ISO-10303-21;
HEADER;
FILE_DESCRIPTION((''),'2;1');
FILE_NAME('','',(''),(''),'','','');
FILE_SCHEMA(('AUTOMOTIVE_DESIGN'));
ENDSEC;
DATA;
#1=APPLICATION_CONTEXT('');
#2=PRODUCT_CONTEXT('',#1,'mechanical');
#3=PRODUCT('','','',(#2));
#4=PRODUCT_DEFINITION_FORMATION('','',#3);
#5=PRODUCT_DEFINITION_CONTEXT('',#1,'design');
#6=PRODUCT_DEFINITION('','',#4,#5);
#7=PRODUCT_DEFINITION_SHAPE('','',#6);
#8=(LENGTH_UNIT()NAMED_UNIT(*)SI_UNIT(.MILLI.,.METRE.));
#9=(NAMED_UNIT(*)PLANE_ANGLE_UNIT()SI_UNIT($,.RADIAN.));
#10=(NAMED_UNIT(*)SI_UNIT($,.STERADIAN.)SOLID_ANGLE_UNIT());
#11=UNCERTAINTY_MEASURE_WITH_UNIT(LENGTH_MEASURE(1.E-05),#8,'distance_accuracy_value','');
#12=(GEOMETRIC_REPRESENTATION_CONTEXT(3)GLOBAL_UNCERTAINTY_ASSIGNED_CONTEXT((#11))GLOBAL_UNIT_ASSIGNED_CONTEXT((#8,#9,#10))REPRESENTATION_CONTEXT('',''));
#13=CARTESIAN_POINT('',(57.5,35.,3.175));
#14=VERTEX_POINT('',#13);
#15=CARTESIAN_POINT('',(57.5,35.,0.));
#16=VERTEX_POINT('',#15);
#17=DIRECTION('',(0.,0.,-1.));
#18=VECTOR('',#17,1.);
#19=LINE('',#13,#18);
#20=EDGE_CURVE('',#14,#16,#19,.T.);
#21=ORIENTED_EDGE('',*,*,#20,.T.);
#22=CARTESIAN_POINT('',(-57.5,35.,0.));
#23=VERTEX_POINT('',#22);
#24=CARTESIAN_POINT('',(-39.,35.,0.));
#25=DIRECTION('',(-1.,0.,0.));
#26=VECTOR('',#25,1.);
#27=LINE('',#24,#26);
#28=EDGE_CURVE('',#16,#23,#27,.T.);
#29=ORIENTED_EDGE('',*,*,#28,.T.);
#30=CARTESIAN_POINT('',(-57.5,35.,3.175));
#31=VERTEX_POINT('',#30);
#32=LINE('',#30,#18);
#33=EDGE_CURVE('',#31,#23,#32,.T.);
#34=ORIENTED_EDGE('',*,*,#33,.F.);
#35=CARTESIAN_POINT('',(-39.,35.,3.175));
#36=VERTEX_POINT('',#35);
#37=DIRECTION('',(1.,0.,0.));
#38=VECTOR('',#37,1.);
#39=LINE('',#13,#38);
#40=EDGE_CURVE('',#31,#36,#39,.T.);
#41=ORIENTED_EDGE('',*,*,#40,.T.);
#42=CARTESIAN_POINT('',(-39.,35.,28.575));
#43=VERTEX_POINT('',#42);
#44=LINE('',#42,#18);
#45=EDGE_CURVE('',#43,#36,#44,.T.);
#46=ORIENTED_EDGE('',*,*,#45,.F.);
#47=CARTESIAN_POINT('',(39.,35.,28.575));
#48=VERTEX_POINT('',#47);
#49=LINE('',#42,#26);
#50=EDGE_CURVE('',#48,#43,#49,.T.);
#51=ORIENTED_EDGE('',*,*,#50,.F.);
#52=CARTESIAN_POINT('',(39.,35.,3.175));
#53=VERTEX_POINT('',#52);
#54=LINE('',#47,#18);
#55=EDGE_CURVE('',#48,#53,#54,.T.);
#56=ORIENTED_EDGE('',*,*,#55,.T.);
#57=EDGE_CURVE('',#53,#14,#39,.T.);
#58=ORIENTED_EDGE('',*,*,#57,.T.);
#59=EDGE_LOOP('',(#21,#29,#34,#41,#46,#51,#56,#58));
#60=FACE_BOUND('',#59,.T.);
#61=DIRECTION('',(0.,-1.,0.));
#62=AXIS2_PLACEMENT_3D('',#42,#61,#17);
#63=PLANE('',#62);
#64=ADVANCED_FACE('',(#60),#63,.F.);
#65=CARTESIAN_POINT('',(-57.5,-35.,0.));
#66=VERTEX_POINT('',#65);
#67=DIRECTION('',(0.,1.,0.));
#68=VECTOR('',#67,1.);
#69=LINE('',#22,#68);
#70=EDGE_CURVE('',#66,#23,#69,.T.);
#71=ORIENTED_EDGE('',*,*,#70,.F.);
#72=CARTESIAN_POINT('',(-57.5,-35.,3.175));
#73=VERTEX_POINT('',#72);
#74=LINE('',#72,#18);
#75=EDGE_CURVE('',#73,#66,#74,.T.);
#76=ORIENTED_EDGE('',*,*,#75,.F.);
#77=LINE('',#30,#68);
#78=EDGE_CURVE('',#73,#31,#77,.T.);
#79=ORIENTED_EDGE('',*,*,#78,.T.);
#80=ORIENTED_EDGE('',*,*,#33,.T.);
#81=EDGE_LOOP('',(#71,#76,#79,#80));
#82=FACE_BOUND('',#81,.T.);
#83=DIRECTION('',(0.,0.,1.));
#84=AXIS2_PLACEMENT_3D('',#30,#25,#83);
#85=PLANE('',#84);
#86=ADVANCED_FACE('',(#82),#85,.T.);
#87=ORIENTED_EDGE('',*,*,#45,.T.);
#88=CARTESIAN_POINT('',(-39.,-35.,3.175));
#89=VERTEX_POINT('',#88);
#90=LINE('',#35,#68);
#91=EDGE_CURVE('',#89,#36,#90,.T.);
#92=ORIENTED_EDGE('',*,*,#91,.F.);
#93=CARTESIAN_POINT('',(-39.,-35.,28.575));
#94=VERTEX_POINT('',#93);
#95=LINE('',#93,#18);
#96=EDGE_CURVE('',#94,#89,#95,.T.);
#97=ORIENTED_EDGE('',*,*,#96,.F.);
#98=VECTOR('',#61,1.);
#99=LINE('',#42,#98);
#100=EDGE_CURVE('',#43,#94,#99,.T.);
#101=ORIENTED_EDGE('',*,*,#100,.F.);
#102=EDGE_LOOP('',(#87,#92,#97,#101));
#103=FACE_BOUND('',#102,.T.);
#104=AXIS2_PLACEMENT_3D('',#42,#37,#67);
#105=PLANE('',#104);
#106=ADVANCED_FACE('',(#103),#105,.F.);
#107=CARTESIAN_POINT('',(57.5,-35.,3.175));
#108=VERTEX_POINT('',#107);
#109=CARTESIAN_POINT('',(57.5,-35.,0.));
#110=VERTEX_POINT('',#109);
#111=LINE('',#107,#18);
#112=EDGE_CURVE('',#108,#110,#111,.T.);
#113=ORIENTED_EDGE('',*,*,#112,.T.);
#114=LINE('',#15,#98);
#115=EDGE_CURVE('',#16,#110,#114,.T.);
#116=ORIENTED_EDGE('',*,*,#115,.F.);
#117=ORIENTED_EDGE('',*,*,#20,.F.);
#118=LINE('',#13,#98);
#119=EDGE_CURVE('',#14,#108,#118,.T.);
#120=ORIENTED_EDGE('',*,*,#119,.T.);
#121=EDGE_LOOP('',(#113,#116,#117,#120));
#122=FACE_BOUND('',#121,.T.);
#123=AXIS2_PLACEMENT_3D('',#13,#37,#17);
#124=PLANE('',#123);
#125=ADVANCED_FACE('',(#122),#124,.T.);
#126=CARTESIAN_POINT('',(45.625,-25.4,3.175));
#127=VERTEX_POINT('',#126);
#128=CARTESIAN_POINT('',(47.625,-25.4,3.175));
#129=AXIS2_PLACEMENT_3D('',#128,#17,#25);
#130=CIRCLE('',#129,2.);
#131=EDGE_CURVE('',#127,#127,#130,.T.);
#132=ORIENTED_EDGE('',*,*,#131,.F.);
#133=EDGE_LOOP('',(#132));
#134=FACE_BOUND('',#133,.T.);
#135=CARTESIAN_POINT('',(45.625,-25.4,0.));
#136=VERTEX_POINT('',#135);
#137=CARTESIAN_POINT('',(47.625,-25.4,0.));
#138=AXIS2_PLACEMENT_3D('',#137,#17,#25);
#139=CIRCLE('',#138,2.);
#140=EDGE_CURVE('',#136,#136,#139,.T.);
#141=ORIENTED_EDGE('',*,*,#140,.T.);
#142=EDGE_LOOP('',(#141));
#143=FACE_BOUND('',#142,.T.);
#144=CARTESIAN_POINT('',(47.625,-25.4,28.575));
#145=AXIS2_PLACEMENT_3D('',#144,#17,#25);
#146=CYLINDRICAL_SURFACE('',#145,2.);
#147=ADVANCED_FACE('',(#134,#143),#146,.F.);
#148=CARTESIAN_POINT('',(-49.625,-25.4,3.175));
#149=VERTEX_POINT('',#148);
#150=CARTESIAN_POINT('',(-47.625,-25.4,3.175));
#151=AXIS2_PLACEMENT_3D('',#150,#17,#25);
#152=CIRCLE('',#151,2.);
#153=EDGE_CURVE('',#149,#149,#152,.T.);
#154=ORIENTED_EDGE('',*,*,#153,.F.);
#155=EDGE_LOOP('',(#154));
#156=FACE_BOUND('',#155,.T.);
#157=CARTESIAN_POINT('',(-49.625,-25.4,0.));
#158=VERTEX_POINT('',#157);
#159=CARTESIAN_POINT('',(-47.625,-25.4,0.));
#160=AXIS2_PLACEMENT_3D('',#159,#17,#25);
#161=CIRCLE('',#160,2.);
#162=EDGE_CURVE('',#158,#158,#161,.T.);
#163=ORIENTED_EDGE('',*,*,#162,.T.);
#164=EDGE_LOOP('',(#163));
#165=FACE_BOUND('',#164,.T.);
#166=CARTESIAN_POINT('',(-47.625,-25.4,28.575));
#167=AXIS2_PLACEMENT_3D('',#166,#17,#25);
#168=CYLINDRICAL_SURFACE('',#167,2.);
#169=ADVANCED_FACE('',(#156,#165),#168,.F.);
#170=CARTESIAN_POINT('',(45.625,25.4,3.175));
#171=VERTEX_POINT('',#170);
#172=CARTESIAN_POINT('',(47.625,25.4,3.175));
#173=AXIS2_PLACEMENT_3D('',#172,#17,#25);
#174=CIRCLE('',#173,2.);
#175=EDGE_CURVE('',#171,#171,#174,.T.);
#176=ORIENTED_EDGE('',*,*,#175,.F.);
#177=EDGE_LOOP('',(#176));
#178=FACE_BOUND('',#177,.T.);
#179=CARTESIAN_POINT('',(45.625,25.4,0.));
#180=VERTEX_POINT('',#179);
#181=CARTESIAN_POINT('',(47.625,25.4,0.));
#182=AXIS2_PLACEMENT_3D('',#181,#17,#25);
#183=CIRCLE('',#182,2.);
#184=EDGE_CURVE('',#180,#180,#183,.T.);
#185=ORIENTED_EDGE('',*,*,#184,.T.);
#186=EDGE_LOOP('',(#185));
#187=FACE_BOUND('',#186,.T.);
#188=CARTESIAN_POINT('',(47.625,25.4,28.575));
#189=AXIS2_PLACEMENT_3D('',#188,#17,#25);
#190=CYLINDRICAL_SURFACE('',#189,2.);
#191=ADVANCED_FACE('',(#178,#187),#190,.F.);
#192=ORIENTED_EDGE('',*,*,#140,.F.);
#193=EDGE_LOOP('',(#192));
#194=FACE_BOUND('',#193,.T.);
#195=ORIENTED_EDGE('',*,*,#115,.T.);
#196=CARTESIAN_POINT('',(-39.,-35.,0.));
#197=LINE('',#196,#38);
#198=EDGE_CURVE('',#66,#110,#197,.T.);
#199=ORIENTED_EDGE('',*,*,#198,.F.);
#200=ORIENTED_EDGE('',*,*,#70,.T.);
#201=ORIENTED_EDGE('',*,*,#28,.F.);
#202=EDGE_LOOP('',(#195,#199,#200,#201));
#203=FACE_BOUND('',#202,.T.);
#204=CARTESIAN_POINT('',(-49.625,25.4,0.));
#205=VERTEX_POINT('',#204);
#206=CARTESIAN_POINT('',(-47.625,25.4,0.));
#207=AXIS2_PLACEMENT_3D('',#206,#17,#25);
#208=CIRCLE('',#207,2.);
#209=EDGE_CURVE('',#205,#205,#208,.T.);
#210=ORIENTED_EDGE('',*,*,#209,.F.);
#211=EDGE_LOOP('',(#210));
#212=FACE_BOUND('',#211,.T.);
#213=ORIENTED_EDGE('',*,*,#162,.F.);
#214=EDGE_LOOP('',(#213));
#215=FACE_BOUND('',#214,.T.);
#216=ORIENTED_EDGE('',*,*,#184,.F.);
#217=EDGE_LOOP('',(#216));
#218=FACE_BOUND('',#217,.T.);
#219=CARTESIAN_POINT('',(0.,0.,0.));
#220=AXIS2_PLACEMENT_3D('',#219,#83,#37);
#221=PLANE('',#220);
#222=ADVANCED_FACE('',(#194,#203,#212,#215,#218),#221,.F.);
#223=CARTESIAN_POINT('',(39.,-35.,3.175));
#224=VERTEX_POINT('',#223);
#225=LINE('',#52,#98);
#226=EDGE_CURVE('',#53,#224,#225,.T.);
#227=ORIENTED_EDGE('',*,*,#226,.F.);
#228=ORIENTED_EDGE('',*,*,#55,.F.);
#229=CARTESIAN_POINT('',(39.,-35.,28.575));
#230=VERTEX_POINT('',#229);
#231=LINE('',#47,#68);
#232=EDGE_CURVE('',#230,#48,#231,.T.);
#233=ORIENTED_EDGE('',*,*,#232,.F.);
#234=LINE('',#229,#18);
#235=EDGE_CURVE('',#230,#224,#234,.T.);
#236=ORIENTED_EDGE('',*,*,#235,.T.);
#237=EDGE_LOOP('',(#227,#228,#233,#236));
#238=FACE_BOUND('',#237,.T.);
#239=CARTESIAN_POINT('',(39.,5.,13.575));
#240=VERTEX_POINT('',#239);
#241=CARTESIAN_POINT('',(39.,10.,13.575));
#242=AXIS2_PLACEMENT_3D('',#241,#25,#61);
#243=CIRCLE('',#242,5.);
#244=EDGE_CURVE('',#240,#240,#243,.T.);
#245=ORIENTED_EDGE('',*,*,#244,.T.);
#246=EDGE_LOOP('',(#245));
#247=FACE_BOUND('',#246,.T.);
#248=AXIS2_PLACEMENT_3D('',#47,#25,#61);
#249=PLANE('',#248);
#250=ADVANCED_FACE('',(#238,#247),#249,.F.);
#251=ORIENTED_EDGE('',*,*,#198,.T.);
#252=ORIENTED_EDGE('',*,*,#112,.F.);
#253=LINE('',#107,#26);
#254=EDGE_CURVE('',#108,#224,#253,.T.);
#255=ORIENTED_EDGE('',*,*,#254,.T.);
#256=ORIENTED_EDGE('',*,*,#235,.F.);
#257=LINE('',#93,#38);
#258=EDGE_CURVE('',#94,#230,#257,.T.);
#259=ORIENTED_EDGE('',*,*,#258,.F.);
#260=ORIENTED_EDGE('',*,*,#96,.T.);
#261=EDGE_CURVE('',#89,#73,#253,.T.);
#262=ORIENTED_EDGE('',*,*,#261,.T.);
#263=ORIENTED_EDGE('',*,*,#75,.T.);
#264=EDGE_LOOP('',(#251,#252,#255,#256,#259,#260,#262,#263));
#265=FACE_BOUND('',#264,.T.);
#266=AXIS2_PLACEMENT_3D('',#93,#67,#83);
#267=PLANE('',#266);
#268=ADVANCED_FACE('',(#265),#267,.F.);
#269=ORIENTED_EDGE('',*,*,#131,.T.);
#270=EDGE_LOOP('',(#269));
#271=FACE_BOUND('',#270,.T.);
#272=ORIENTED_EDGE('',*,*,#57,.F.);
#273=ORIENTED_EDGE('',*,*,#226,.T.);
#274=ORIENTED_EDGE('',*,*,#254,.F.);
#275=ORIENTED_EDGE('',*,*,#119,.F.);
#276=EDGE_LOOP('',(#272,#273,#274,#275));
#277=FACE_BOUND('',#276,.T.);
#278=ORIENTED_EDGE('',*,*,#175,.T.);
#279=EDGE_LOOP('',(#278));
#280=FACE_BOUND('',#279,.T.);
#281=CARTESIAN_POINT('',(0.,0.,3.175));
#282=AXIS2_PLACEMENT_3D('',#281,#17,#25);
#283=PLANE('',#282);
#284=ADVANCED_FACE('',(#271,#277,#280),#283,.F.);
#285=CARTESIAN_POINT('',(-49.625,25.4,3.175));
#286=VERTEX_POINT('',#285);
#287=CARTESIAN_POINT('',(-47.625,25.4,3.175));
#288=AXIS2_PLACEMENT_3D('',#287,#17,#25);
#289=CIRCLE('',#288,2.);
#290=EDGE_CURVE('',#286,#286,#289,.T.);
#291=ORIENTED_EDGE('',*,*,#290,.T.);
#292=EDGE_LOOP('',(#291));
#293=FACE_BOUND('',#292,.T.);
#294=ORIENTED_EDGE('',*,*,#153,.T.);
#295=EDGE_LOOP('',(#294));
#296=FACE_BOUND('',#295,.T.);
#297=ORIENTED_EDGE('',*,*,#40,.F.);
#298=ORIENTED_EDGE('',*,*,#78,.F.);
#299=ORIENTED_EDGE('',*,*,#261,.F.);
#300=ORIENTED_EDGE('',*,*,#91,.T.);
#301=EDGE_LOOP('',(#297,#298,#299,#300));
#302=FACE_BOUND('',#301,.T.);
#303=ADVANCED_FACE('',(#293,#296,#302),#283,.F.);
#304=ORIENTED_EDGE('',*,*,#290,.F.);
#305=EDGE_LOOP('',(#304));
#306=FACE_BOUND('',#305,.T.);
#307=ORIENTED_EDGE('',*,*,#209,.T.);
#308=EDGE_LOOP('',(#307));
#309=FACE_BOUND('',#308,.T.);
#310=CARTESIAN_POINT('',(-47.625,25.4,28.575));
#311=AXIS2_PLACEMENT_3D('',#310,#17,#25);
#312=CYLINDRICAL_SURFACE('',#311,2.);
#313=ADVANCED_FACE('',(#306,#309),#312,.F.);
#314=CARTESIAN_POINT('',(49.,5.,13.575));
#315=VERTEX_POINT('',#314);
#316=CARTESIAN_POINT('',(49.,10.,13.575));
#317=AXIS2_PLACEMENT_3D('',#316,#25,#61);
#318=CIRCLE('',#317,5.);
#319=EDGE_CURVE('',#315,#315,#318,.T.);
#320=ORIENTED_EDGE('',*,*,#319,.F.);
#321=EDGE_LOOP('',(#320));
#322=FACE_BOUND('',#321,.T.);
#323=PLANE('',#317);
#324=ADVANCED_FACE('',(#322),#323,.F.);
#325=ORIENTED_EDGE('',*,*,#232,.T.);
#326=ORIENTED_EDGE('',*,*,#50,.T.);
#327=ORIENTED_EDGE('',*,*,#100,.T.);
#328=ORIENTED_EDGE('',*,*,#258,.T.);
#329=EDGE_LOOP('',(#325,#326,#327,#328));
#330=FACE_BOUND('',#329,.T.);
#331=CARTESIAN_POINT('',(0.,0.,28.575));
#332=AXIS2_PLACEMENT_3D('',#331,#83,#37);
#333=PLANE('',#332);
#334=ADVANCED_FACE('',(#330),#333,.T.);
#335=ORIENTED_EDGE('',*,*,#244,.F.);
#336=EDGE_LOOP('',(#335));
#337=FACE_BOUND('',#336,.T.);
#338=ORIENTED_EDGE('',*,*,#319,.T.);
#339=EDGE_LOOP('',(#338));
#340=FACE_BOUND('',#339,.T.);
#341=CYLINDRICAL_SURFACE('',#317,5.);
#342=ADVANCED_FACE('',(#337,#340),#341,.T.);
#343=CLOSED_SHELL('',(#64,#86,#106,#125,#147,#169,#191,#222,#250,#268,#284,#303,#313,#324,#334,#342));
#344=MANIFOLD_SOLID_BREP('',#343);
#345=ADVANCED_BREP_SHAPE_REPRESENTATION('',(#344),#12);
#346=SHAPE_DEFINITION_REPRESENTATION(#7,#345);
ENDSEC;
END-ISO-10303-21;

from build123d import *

# Parameters (mm, degrees)
SKETCH1_W           = 78
SKETCH1_H           = 70
BOSS_EXTRUDE1_DEPTH = 28.575
SKETCH2_W           = 115
SKETCH2_H           = 70
BOSS_EXTRUDE2_DEPTH = 3.175
SKETCH3_R           = 2
CUT_EXTRUDE1_DEPTH  = 74.128521283
SKETCH4_R           = 5
BOSS_EXTRUDE3_DEPTH = 10


with BuildPart() as part:
    # Sketch1 → Boss-Extrude1 (new body)
    with BuildSketch(Plane.XY):
        Rectangle(SKETCH1_W, SKETCH1_H)
    extrude(amount=BOSS_EXTRUDE1_DEPTH)

    # Sketch2 → Boss-Extrude2 (add)
    with BuildSketch(Plane(origin=(0, 0, 0), x_dir=(-1, 0, 0), z_dir=(0, 0, -1))):
        Rectangle(SKETCH2_W, SKETCH2_H)
    extrude(amount=-BOSS_EXTRUDE2_DEPTH)

    # Sketch3 → Cut-Extrude1 (cut, through all)
    with BuildSketch(Plane(origin=(0, 0, 0), x_dir=(-1, 0, 0), z_dir=(0, 0, -1))):
        with Locations((-47.625, 25.4)):
            Circle(SKETCH3_R)
        with Locations((47.625, 25.4)):
            Circle(SKETCH3_R)
        with Locations((47.625, -25.4)):
            Circle(SKETCH3_R)
        with Locations((-47.625, -25.4)):
            Circle(SKETCH3_R)
    extrude(amount=-CUT_EXTRUDE1_DEPTH, mode=Mode.SUBTRACT)

    # Sketch4 → Boss-Extrude3 (add)
    with BuildSketch(Plane.ZY.offset(-39)):
        with Locations(Location((13.575, 10, 0), (0, 0, 270))):
            Circle(SKETCH4_R)
    extrude(amount=-BOSS_EXTRUDE3_DEPTH)


solid = part.part
